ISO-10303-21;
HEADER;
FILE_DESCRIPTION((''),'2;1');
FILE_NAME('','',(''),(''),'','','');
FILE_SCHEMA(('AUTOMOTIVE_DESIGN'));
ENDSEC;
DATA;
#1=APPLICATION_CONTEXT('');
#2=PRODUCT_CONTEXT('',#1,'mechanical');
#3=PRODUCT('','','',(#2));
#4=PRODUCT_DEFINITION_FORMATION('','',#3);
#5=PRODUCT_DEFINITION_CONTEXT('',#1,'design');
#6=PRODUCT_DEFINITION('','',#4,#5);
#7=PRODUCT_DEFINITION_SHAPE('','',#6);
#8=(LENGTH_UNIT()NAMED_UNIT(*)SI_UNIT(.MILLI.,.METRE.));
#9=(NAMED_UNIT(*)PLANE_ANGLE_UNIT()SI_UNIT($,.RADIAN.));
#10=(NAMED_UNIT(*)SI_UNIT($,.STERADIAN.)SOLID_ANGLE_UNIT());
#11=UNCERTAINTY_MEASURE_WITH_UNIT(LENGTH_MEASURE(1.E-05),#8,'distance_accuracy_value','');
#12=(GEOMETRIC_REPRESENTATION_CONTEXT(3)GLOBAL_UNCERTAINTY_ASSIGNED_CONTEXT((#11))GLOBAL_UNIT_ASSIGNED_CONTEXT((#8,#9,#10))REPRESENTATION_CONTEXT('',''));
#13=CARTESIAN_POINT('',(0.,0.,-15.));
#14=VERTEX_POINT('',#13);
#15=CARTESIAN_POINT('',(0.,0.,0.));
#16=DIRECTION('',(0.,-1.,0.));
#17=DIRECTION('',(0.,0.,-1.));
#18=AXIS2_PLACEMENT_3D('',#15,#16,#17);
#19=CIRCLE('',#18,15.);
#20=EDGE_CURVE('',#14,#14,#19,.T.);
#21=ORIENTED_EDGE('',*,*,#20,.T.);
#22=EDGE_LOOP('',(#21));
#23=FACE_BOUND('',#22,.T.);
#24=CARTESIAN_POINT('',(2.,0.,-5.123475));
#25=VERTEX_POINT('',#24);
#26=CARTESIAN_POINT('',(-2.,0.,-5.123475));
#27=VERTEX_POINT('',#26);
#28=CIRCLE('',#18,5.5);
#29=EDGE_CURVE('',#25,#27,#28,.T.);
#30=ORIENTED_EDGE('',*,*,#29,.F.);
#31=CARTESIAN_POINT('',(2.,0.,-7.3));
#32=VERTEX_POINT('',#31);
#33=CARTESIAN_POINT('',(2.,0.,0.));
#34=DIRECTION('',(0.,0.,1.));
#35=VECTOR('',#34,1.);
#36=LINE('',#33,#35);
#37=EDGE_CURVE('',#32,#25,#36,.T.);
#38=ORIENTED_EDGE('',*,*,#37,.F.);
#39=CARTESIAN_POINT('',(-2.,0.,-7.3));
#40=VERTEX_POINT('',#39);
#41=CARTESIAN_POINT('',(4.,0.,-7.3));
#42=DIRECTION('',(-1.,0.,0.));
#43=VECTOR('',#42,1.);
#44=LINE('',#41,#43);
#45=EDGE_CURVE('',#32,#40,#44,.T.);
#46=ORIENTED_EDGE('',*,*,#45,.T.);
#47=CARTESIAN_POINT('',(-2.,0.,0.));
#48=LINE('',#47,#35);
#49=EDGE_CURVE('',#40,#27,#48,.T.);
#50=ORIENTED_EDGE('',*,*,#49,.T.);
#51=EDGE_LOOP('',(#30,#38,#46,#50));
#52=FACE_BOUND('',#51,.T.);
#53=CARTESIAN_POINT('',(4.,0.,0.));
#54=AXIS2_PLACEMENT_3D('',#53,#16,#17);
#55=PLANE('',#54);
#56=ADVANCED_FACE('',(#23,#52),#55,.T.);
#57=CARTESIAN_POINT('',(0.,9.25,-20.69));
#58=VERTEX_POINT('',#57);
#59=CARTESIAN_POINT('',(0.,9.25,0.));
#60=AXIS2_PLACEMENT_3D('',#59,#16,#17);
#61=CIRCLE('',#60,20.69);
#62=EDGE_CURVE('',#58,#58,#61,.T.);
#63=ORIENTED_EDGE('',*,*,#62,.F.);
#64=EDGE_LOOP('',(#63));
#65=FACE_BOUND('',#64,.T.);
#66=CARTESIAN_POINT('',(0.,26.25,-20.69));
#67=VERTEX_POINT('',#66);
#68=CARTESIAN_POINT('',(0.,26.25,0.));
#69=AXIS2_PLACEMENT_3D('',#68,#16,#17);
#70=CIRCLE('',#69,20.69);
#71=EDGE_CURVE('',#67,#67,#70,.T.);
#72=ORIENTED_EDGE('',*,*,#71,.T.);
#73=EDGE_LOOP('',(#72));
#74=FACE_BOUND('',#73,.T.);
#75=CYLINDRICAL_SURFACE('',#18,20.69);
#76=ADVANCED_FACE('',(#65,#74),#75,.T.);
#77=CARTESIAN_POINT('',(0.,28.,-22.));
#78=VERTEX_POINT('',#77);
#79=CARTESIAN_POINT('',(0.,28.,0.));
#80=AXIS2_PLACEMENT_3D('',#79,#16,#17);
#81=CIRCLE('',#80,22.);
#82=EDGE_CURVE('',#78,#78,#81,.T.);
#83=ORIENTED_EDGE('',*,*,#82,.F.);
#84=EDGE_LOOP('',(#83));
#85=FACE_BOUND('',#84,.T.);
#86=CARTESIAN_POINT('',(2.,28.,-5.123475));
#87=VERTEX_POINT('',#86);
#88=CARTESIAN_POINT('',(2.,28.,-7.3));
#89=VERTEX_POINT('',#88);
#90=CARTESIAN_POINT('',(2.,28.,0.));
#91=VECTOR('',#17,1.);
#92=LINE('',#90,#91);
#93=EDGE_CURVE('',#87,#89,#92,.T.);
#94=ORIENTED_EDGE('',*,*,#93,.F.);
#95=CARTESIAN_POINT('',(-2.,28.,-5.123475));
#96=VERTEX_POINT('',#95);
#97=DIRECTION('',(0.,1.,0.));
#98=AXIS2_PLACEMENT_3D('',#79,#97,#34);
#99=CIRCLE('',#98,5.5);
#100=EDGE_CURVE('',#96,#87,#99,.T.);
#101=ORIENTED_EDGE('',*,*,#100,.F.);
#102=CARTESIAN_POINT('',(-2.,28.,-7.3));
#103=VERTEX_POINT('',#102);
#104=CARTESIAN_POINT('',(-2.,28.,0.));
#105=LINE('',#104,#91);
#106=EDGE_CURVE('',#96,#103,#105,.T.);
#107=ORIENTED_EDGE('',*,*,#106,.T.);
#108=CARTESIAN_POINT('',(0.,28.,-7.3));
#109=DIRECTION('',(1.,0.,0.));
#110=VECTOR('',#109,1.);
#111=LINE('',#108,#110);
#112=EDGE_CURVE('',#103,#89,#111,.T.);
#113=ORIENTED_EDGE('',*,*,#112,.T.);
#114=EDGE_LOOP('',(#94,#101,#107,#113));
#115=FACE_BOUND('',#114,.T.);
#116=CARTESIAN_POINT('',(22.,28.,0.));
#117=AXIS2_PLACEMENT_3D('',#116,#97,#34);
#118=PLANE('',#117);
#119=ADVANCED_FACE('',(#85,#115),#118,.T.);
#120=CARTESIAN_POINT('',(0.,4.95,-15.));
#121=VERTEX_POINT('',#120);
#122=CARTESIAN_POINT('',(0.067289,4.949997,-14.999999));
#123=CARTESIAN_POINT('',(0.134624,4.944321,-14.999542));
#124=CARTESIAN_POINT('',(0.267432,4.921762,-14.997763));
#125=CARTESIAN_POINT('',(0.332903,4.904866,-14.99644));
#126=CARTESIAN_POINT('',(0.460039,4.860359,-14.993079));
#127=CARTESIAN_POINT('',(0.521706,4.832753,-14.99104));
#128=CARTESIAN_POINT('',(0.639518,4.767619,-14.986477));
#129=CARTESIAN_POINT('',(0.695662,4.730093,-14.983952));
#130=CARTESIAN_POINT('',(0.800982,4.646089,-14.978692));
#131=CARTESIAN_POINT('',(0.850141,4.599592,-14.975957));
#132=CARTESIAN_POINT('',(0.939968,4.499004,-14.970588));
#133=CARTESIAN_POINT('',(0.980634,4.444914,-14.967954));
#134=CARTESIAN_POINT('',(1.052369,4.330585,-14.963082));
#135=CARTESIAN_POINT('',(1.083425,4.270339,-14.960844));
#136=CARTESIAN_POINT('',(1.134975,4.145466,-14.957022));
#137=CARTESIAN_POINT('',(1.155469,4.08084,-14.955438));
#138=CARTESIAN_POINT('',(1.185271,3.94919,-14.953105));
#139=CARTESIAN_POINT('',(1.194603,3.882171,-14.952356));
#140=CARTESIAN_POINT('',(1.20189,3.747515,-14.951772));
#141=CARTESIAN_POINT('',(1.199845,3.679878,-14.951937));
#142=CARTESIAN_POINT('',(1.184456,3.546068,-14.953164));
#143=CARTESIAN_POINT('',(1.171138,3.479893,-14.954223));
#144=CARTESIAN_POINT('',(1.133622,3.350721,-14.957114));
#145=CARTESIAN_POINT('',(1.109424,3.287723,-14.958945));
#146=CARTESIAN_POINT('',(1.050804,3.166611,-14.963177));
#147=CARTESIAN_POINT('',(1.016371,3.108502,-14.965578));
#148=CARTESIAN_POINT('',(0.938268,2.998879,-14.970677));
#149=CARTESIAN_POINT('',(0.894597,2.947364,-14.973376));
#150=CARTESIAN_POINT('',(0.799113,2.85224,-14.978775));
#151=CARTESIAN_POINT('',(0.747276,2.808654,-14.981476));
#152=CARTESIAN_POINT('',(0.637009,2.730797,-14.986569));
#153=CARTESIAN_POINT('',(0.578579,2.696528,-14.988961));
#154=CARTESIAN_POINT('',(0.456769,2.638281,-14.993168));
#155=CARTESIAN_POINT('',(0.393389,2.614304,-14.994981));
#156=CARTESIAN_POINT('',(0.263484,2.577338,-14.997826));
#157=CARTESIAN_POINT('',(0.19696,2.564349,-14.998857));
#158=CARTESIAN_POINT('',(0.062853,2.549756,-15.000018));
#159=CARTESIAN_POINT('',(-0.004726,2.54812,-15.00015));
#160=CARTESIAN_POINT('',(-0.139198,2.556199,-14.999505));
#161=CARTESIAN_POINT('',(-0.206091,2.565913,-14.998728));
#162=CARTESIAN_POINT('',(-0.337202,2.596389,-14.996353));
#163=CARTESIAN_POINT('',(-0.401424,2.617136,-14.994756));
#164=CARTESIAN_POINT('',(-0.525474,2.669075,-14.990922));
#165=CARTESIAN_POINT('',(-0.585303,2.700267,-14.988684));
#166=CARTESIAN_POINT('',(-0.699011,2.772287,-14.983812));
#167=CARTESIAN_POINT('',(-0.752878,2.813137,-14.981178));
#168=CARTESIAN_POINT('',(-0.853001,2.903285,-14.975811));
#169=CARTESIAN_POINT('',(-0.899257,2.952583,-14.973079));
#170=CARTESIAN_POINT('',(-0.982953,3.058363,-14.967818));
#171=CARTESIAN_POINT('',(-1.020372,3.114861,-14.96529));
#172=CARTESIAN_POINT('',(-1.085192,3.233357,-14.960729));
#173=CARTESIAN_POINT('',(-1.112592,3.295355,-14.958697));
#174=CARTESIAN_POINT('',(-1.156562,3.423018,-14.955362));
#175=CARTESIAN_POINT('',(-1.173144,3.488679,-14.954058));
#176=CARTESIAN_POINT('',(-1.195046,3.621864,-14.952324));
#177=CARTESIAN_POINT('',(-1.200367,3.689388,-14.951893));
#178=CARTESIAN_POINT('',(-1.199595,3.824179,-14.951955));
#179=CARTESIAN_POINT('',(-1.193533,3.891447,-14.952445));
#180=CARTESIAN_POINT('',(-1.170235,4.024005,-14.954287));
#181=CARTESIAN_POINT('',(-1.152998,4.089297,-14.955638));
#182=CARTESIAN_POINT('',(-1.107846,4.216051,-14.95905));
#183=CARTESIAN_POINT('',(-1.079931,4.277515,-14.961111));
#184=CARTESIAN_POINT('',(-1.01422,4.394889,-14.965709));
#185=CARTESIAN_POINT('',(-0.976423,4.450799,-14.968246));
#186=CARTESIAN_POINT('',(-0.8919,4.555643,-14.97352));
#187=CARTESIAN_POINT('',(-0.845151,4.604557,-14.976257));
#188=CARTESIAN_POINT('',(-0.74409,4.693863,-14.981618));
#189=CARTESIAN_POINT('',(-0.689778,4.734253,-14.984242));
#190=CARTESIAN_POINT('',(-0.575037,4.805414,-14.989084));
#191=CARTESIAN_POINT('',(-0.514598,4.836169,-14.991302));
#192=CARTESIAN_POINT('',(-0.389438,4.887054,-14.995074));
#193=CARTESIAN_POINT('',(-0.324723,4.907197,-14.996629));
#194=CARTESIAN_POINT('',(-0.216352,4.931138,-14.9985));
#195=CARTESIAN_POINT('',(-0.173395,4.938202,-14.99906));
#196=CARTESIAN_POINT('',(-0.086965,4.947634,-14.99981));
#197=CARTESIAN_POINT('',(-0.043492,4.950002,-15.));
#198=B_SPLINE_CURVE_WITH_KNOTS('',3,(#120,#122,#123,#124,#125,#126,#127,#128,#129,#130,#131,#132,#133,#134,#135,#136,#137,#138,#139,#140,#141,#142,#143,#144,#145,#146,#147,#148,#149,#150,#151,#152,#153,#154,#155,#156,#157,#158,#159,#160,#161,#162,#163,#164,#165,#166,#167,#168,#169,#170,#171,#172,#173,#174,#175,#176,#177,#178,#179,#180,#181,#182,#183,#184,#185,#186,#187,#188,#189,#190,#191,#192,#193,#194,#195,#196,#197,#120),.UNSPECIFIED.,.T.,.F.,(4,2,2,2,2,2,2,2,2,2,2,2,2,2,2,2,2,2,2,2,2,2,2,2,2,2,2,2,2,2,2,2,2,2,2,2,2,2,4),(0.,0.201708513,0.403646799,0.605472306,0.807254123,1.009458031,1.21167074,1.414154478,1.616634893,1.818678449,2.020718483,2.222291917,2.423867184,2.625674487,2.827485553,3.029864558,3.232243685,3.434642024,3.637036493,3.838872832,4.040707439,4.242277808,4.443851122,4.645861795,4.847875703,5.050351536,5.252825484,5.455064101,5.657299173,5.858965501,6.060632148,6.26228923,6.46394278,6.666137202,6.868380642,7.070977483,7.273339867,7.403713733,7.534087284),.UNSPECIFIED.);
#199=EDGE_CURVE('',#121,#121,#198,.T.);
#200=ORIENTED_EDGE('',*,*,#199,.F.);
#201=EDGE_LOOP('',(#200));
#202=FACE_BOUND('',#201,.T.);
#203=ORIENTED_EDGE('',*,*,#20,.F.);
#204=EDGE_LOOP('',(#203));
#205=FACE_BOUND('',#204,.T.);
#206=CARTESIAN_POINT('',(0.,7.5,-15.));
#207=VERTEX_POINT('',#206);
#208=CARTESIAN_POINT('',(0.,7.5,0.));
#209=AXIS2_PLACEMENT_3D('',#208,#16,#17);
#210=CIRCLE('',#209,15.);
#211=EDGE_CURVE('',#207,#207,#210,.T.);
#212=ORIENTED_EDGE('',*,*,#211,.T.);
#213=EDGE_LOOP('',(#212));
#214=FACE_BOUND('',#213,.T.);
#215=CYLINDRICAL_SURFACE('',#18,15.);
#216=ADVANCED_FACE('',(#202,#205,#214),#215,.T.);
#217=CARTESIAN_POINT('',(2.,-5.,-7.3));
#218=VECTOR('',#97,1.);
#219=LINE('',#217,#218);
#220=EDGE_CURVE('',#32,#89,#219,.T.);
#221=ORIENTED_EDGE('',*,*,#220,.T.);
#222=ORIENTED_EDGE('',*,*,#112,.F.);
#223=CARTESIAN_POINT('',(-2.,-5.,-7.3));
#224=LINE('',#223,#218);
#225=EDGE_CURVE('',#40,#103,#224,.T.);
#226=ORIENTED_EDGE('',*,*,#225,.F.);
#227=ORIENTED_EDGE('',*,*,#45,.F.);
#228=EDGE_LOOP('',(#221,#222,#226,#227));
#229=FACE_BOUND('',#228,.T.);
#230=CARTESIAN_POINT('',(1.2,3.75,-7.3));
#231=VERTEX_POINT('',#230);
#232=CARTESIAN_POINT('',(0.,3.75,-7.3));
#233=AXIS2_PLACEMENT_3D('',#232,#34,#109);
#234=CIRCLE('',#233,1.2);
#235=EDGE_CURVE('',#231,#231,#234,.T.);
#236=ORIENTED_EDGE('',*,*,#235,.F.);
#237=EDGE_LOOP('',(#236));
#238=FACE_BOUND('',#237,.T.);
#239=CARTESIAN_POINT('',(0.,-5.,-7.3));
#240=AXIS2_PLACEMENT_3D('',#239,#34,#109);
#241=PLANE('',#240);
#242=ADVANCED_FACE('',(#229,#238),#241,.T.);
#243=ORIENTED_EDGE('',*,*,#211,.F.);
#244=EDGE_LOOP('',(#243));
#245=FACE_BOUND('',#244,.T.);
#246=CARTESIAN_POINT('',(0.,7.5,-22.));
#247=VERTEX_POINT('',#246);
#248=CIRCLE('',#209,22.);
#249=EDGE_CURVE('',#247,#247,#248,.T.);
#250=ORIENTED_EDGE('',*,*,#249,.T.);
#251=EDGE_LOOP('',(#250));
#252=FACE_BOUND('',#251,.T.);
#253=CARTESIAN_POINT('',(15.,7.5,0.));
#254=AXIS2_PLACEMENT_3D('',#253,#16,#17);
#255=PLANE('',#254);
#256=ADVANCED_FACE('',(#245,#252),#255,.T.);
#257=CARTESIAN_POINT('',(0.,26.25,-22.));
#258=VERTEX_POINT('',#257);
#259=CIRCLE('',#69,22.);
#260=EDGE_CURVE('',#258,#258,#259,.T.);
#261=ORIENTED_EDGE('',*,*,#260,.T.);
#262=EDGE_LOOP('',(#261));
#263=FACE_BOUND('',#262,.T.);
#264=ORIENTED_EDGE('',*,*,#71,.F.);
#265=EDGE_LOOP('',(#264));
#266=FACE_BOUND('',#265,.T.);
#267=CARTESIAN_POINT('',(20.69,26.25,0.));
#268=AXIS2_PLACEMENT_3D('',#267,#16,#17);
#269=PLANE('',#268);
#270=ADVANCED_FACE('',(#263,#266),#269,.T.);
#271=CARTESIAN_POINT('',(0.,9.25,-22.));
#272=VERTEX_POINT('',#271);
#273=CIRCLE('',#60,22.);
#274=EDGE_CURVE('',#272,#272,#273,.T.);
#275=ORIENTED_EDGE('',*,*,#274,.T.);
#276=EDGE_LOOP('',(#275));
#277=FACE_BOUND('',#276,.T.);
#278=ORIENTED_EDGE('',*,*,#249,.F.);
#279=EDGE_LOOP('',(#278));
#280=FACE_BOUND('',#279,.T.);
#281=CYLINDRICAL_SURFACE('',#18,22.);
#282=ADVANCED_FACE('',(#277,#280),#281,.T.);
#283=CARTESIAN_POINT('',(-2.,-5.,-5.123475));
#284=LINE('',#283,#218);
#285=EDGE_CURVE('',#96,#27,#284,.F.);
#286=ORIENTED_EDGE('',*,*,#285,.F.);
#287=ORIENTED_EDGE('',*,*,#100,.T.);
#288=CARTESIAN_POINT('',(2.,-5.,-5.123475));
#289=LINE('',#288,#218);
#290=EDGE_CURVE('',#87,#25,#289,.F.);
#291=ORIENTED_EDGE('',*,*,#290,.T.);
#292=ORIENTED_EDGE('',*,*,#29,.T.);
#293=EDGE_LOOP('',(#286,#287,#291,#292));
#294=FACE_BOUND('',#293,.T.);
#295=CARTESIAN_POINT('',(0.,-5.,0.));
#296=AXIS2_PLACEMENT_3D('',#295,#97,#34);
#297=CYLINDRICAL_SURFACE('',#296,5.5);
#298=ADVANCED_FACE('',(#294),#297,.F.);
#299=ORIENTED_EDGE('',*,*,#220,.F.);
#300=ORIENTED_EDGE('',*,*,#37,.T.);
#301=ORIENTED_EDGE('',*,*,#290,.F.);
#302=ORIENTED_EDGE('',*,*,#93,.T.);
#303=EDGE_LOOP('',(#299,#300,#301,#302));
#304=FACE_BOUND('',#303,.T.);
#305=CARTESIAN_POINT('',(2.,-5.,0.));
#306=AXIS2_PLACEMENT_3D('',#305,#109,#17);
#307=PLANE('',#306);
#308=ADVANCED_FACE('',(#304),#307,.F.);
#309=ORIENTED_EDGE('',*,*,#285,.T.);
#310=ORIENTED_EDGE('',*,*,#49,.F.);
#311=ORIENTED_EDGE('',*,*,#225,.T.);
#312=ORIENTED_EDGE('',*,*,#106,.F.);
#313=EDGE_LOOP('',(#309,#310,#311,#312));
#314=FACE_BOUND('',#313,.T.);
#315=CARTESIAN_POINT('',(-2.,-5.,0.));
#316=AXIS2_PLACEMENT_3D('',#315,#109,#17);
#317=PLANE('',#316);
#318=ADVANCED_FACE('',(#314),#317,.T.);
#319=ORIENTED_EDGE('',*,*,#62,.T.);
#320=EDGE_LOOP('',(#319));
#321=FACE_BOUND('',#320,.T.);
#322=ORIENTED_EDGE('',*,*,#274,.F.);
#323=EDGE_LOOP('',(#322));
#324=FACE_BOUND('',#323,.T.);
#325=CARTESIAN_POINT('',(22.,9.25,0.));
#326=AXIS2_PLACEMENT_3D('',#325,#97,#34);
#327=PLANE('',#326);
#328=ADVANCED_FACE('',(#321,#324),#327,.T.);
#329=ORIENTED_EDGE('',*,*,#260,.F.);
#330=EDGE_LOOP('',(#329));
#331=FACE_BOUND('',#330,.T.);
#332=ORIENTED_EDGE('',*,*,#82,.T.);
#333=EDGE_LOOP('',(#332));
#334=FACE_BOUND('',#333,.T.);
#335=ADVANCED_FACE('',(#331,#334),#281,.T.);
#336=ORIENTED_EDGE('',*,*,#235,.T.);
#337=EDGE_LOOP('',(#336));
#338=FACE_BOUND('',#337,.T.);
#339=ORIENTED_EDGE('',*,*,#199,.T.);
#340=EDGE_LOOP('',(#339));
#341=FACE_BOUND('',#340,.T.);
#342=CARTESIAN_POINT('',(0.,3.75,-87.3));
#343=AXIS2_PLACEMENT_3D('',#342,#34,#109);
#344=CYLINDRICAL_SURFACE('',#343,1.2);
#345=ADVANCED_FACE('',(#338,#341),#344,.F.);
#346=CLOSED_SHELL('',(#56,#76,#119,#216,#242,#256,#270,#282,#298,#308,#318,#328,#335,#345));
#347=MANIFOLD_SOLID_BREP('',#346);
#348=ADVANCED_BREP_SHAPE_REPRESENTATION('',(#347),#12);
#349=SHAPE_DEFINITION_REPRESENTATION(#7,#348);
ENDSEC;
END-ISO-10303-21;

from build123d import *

# Parameters (mm, degrees)
SKETCH2_R          = 5.5
CUT_EXTRUDE1_DEPTH = 33
CUT_EXTRUDE2_DEPTH = 33
SKETCH4_R          = 1.2
CUT_EXTRUDE3_DEPTH = 80


with BuildPart() as part:
    # Sketch1 → Revolve1 (revolve)
    with BuildSketch(Plane.XY, mode=Mode.PRIVATE) as revolve1_sk:
        Polygon((4, 0), (15, 0), (15, 7.5), (22, 7.5), (22, 9.25), (20.69, 9.25), (20.69, 26.25), (22, 26.25), (22, 28), (4, 28), align=None)
    revolve(revolve1_sk.sketch.rotate(Axis((0, 0, 0), (0, 1, 0)), 90), axis=Axis((0, 0, 0), (0, 1, 0)))

    # Sketch2 → Cut-Extrude1 (cut)
    with BuildSketch(Plane(origin=(0, 28, 0), x_dir=(1, 0, 0), z_dir=(0, 1, 0))):
        with Locations(Location((0, 0, 0), (0, 0, 270))):
            Circle(SKETCH2_R)
    extrude(amount=-CUT_EXTRUDE1_DEPTH, mode=Mode.SUBTRACT)

    # Sketch3 → Cut-Extrude2 (cut)
    with BuildSketch(Plane(origin=(0, 28, 0), x_dir=(1, 0, 0), z_dir=(0, 1, 0))):
        with BuildLine():
            Line((-2, 7.3), (-2, 5.123475383))
            ThreePointArc((-2, 5.123475383), (0, 5.5), (2, 5.123475383))
            Line((2, 5.123475383), (2, 7.3))
            Line((2, 7.3), (-2, 7.3))
        make_face()
    extrude(amount=-CUT_EXTRUDE2_DEPTH, mode=Mode.SUBTRACT)

    # Sketch4 → Cut-Extrude3 (cut)
    with BuildSketch(Plane.XY.offset(-7.3)):
        with Locations((0, 3.75)):
            Circle(SKETCH4_R)
    extrude(amount=-CUT_EXTRUDE3_DEPTH, mode=Mode.SUBTRACT)


solid = part.part
